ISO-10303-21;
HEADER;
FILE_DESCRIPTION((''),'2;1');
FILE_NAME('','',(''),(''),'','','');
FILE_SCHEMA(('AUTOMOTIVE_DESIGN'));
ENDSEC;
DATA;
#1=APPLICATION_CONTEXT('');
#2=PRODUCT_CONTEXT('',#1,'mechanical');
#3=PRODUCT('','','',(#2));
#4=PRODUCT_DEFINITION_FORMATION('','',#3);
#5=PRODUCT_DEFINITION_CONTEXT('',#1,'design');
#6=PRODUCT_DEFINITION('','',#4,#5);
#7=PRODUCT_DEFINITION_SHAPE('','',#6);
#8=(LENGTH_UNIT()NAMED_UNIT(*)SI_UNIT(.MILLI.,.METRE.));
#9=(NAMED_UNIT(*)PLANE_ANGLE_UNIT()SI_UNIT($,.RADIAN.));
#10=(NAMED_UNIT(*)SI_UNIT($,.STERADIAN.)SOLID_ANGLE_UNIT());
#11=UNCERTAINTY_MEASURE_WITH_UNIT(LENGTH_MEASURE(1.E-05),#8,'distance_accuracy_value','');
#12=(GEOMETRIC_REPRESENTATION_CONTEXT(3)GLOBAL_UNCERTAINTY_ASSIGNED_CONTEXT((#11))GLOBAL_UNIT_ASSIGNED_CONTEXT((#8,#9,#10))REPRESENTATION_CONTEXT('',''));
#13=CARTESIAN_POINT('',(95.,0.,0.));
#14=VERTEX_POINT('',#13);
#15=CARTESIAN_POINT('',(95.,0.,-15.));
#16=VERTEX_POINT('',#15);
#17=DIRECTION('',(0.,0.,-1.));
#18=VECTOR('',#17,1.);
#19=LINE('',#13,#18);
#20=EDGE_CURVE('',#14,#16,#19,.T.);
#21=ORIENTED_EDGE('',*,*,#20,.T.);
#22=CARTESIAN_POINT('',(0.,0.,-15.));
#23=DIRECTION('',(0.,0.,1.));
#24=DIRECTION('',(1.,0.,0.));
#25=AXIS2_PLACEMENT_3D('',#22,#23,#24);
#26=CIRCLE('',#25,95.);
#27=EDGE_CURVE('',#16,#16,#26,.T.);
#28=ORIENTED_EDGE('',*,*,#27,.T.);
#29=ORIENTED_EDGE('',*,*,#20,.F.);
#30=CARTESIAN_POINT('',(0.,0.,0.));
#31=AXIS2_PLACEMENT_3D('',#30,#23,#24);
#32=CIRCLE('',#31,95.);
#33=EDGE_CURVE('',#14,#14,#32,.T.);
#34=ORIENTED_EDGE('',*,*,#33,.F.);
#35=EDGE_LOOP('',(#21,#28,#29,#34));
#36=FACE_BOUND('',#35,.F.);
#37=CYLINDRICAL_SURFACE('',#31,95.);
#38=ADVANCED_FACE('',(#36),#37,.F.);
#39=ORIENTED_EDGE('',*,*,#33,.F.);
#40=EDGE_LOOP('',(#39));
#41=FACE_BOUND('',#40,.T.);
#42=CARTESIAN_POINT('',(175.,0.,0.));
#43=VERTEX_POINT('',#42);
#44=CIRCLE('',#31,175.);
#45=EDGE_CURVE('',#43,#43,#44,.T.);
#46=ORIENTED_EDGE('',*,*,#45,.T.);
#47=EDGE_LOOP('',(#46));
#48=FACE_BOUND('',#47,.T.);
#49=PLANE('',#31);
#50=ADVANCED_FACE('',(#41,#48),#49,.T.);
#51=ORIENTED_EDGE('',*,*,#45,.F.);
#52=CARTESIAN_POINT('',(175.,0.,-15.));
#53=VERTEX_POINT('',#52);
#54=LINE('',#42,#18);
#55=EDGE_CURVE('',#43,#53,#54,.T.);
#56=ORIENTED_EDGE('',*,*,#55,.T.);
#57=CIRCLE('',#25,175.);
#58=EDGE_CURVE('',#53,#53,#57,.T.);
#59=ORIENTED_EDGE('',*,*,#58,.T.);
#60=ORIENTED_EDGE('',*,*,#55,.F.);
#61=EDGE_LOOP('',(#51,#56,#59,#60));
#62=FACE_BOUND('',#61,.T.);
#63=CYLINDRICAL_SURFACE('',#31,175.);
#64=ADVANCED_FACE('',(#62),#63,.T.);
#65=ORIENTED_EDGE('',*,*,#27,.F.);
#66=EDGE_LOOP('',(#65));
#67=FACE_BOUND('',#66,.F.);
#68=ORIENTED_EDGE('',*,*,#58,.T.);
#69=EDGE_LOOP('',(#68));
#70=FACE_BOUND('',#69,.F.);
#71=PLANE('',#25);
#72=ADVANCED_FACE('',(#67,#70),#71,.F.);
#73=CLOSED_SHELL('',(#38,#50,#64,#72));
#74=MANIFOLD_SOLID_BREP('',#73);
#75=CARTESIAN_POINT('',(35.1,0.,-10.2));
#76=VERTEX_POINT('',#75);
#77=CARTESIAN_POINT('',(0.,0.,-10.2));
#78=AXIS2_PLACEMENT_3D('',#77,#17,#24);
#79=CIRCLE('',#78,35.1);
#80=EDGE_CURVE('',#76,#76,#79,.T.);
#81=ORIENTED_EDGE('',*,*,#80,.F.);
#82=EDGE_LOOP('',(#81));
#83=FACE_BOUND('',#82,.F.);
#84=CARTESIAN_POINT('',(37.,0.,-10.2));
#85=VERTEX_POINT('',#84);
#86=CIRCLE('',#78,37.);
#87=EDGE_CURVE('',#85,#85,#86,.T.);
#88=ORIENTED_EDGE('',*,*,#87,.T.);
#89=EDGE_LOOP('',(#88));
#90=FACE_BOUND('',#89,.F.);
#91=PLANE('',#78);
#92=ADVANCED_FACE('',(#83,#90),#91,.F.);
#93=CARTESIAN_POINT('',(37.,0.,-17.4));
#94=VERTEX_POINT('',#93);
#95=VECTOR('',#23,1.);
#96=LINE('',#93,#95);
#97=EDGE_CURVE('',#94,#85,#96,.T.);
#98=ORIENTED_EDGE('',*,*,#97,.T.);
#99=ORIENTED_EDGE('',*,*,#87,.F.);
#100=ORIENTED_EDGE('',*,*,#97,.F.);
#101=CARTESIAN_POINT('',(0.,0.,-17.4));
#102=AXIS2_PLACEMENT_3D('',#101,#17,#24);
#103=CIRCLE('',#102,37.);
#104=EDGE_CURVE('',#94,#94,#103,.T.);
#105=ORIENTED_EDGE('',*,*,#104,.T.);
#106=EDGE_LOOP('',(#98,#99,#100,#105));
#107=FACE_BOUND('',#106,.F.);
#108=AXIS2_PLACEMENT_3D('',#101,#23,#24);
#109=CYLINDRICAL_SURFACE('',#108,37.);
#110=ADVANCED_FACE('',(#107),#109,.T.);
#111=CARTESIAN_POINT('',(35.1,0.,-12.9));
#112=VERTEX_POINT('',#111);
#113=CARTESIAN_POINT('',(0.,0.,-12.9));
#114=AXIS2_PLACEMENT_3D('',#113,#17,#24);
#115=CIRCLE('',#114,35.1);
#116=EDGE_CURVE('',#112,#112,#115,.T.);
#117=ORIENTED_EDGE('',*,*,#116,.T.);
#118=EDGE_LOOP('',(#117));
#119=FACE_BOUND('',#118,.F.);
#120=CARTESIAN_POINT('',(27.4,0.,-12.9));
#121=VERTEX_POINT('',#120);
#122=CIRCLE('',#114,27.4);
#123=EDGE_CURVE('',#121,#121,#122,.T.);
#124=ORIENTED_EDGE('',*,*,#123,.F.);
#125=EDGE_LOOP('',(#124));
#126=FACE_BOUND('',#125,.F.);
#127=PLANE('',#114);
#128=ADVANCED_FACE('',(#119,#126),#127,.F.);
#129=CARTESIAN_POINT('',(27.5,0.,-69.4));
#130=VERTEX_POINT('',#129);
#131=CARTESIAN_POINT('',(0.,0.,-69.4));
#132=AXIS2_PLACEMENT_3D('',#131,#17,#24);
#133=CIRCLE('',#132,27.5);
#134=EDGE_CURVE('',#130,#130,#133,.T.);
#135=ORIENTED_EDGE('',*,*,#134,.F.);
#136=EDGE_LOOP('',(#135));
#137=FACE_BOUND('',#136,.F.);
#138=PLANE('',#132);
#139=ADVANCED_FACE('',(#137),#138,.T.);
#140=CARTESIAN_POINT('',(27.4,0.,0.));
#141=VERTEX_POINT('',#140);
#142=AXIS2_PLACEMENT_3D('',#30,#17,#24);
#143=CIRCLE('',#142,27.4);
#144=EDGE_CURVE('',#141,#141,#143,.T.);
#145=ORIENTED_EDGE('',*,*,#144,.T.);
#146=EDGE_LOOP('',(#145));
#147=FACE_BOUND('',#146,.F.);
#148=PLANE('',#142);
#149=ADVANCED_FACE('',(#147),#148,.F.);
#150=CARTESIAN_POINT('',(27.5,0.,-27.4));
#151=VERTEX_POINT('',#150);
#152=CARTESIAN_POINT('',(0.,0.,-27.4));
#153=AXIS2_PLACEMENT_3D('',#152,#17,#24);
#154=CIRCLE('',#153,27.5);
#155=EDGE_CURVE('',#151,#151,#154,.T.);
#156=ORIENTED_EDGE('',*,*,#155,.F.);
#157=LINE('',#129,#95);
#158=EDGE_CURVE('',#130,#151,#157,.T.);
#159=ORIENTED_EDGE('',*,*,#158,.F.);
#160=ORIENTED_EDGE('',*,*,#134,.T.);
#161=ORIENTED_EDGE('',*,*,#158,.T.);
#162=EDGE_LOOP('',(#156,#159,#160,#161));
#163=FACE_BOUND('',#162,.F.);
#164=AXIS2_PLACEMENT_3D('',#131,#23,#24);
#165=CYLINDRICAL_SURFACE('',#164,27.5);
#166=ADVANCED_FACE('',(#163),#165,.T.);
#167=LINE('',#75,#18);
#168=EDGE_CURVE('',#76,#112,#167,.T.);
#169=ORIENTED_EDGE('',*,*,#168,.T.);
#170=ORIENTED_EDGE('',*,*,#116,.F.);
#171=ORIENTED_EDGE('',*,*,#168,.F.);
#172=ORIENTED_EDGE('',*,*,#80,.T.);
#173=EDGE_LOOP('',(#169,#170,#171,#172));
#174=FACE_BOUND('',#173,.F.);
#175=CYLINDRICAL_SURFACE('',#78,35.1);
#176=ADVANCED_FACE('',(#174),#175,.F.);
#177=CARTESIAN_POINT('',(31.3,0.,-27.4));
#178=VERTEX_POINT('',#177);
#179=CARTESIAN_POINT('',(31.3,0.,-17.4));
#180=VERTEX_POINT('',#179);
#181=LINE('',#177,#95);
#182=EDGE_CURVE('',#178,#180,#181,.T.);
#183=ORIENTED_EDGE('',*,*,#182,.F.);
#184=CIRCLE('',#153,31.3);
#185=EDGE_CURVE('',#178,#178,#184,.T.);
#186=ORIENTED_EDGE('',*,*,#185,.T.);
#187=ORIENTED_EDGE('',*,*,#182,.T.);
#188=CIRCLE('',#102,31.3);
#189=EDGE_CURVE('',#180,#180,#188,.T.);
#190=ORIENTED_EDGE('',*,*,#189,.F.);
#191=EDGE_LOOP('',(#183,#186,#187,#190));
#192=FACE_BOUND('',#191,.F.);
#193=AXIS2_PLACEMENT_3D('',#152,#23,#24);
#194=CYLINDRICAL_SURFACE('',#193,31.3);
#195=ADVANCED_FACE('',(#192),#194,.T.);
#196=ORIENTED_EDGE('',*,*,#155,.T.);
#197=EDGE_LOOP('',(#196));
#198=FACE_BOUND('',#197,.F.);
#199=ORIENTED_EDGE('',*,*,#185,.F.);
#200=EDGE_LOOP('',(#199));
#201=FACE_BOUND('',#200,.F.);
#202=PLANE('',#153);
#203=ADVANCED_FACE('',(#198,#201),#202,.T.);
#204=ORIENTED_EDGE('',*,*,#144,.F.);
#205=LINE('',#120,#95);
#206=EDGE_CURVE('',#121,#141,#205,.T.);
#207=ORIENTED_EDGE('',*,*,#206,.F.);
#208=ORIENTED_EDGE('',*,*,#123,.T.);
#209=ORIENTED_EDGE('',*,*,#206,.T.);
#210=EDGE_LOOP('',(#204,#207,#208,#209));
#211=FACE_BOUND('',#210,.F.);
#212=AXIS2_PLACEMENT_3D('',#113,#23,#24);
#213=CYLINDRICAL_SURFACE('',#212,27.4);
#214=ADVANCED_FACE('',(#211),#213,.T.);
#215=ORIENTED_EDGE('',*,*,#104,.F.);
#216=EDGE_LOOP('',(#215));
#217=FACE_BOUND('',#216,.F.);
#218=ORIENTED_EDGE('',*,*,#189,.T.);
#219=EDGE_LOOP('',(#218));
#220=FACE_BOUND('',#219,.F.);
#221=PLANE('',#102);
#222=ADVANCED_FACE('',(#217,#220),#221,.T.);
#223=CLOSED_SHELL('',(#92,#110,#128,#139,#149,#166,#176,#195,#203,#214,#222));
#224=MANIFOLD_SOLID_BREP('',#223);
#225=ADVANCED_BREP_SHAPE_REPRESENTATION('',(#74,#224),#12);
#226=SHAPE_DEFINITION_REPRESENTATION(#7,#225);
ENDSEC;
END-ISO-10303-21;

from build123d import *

# Parameters (mm, degrees)
F2_R     = 175
F2_R_2   = 95
F3_DEPTH = 15


with BuildPart() as f1:
    # F0 (on Front) → F1 (revolve)
    with BuildSketch(Plane.XZ):
        Polygon((27.4, 0), (0, 0), (0, -69.4), (27.5, -69.4), (27.5, -27.4), (31.3, -27.4), (31.3, -17.4), (37, -17.4), (37, -10.2), (35.1, -10.2), (35.1, -12.9), (27.4, -12.9), align=None)
    revolve(axis=Axis((0, 0, -34.7), (0, 0, -1)))


with BuildPart() as f3:
    # F2 (on Top) → F3 (new body)
    with BuildSketch(Plane.XY):
        Circle(F2_R)
        Circle(F2_R_2, mode=Mode.SUBTRACT)
    extrude(amount=-F3_DEPTH)


solid = Compound([f1.part, f3.part])
